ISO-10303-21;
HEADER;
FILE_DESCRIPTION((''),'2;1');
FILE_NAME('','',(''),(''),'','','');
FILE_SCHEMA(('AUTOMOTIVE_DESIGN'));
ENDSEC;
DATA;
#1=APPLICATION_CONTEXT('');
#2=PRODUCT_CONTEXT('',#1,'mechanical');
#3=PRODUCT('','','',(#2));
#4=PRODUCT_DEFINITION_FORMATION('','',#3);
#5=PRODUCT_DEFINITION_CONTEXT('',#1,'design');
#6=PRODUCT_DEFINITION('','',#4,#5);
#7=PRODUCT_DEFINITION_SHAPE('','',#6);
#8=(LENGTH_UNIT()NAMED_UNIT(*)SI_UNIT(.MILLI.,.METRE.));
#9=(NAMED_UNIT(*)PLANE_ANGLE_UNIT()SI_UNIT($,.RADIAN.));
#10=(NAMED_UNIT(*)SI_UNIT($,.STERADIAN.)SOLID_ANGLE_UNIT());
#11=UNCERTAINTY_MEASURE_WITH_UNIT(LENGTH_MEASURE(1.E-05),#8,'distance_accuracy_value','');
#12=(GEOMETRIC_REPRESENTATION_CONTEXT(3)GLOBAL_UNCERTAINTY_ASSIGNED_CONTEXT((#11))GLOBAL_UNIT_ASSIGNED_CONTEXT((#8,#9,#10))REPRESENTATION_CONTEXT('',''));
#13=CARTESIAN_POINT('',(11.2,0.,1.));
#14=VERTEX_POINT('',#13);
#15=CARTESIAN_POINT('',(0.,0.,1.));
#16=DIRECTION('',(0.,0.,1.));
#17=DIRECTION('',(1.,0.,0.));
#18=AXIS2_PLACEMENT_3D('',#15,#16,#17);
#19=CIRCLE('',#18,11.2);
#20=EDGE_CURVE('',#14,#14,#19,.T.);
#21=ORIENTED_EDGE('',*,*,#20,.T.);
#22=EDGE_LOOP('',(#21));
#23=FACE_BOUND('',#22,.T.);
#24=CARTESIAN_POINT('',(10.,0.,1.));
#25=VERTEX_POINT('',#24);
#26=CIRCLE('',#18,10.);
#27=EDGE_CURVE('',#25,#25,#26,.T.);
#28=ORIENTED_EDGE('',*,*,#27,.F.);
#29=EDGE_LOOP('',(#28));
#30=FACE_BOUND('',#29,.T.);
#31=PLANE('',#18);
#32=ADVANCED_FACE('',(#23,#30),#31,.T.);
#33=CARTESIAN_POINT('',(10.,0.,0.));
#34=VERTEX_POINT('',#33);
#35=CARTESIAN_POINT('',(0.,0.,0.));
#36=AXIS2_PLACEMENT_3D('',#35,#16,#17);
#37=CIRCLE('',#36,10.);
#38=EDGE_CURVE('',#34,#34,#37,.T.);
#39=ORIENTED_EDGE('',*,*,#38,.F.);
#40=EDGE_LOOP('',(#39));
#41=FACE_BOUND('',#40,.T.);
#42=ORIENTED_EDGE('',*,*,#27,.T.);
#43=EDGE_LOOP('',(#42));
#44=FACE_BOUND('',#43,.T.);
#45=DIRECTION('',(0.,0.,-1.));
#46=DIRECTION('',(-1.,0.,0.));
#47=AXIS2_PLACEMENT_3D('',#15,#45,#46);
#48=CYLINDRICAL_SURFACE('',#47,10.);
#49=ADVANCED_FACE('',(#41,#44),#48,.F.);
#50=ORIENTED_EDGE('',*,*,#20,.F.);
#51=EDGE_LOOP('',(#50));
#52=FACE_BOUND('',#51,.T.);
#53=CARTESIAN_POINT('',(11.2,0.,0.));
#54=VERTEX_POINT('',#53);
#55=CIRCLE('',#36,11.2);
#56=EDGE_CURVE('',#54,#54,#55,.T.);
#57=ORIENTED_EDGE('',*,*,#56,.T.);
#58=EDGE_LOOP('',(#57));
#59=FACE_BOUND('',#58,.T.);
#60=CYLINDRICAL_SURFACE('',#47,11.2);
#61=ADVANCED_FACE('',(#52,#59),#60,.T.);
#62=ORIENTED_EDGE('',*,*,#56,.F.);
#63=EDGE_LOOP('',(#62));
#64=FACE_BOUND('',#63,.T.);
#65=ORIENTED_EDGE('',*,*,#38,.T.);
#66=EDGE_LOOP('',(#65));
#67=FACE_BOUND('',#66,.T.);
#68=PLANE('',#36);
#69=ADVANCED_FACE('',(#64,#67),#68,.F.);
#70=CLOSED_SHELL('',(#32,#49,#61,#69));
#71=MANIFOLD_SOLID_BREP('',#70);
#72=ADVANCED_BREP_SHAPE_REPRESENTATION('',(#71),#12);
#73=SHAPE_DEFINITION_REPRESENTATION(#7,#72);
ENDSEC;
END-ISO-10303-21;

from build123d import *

# Parameters (mm, degrees)
SKETCH_1_R      = 11.2
SKETCH_1_R_2    = 10
EXTRUDE_1_DEPTH = 1


with BuildPart() as part:
    # 草图1 → 凸台-拉伸1 (new body)
    with BuildSketch(Plane.XY):
        Circle(SKETCH_1_R)
        Circle(SKETCH_1_R_2, mode=Mode.SUBTRACT)
    extrude(amount=EXTRUDE_1_DEPTH)


solid = part.part
